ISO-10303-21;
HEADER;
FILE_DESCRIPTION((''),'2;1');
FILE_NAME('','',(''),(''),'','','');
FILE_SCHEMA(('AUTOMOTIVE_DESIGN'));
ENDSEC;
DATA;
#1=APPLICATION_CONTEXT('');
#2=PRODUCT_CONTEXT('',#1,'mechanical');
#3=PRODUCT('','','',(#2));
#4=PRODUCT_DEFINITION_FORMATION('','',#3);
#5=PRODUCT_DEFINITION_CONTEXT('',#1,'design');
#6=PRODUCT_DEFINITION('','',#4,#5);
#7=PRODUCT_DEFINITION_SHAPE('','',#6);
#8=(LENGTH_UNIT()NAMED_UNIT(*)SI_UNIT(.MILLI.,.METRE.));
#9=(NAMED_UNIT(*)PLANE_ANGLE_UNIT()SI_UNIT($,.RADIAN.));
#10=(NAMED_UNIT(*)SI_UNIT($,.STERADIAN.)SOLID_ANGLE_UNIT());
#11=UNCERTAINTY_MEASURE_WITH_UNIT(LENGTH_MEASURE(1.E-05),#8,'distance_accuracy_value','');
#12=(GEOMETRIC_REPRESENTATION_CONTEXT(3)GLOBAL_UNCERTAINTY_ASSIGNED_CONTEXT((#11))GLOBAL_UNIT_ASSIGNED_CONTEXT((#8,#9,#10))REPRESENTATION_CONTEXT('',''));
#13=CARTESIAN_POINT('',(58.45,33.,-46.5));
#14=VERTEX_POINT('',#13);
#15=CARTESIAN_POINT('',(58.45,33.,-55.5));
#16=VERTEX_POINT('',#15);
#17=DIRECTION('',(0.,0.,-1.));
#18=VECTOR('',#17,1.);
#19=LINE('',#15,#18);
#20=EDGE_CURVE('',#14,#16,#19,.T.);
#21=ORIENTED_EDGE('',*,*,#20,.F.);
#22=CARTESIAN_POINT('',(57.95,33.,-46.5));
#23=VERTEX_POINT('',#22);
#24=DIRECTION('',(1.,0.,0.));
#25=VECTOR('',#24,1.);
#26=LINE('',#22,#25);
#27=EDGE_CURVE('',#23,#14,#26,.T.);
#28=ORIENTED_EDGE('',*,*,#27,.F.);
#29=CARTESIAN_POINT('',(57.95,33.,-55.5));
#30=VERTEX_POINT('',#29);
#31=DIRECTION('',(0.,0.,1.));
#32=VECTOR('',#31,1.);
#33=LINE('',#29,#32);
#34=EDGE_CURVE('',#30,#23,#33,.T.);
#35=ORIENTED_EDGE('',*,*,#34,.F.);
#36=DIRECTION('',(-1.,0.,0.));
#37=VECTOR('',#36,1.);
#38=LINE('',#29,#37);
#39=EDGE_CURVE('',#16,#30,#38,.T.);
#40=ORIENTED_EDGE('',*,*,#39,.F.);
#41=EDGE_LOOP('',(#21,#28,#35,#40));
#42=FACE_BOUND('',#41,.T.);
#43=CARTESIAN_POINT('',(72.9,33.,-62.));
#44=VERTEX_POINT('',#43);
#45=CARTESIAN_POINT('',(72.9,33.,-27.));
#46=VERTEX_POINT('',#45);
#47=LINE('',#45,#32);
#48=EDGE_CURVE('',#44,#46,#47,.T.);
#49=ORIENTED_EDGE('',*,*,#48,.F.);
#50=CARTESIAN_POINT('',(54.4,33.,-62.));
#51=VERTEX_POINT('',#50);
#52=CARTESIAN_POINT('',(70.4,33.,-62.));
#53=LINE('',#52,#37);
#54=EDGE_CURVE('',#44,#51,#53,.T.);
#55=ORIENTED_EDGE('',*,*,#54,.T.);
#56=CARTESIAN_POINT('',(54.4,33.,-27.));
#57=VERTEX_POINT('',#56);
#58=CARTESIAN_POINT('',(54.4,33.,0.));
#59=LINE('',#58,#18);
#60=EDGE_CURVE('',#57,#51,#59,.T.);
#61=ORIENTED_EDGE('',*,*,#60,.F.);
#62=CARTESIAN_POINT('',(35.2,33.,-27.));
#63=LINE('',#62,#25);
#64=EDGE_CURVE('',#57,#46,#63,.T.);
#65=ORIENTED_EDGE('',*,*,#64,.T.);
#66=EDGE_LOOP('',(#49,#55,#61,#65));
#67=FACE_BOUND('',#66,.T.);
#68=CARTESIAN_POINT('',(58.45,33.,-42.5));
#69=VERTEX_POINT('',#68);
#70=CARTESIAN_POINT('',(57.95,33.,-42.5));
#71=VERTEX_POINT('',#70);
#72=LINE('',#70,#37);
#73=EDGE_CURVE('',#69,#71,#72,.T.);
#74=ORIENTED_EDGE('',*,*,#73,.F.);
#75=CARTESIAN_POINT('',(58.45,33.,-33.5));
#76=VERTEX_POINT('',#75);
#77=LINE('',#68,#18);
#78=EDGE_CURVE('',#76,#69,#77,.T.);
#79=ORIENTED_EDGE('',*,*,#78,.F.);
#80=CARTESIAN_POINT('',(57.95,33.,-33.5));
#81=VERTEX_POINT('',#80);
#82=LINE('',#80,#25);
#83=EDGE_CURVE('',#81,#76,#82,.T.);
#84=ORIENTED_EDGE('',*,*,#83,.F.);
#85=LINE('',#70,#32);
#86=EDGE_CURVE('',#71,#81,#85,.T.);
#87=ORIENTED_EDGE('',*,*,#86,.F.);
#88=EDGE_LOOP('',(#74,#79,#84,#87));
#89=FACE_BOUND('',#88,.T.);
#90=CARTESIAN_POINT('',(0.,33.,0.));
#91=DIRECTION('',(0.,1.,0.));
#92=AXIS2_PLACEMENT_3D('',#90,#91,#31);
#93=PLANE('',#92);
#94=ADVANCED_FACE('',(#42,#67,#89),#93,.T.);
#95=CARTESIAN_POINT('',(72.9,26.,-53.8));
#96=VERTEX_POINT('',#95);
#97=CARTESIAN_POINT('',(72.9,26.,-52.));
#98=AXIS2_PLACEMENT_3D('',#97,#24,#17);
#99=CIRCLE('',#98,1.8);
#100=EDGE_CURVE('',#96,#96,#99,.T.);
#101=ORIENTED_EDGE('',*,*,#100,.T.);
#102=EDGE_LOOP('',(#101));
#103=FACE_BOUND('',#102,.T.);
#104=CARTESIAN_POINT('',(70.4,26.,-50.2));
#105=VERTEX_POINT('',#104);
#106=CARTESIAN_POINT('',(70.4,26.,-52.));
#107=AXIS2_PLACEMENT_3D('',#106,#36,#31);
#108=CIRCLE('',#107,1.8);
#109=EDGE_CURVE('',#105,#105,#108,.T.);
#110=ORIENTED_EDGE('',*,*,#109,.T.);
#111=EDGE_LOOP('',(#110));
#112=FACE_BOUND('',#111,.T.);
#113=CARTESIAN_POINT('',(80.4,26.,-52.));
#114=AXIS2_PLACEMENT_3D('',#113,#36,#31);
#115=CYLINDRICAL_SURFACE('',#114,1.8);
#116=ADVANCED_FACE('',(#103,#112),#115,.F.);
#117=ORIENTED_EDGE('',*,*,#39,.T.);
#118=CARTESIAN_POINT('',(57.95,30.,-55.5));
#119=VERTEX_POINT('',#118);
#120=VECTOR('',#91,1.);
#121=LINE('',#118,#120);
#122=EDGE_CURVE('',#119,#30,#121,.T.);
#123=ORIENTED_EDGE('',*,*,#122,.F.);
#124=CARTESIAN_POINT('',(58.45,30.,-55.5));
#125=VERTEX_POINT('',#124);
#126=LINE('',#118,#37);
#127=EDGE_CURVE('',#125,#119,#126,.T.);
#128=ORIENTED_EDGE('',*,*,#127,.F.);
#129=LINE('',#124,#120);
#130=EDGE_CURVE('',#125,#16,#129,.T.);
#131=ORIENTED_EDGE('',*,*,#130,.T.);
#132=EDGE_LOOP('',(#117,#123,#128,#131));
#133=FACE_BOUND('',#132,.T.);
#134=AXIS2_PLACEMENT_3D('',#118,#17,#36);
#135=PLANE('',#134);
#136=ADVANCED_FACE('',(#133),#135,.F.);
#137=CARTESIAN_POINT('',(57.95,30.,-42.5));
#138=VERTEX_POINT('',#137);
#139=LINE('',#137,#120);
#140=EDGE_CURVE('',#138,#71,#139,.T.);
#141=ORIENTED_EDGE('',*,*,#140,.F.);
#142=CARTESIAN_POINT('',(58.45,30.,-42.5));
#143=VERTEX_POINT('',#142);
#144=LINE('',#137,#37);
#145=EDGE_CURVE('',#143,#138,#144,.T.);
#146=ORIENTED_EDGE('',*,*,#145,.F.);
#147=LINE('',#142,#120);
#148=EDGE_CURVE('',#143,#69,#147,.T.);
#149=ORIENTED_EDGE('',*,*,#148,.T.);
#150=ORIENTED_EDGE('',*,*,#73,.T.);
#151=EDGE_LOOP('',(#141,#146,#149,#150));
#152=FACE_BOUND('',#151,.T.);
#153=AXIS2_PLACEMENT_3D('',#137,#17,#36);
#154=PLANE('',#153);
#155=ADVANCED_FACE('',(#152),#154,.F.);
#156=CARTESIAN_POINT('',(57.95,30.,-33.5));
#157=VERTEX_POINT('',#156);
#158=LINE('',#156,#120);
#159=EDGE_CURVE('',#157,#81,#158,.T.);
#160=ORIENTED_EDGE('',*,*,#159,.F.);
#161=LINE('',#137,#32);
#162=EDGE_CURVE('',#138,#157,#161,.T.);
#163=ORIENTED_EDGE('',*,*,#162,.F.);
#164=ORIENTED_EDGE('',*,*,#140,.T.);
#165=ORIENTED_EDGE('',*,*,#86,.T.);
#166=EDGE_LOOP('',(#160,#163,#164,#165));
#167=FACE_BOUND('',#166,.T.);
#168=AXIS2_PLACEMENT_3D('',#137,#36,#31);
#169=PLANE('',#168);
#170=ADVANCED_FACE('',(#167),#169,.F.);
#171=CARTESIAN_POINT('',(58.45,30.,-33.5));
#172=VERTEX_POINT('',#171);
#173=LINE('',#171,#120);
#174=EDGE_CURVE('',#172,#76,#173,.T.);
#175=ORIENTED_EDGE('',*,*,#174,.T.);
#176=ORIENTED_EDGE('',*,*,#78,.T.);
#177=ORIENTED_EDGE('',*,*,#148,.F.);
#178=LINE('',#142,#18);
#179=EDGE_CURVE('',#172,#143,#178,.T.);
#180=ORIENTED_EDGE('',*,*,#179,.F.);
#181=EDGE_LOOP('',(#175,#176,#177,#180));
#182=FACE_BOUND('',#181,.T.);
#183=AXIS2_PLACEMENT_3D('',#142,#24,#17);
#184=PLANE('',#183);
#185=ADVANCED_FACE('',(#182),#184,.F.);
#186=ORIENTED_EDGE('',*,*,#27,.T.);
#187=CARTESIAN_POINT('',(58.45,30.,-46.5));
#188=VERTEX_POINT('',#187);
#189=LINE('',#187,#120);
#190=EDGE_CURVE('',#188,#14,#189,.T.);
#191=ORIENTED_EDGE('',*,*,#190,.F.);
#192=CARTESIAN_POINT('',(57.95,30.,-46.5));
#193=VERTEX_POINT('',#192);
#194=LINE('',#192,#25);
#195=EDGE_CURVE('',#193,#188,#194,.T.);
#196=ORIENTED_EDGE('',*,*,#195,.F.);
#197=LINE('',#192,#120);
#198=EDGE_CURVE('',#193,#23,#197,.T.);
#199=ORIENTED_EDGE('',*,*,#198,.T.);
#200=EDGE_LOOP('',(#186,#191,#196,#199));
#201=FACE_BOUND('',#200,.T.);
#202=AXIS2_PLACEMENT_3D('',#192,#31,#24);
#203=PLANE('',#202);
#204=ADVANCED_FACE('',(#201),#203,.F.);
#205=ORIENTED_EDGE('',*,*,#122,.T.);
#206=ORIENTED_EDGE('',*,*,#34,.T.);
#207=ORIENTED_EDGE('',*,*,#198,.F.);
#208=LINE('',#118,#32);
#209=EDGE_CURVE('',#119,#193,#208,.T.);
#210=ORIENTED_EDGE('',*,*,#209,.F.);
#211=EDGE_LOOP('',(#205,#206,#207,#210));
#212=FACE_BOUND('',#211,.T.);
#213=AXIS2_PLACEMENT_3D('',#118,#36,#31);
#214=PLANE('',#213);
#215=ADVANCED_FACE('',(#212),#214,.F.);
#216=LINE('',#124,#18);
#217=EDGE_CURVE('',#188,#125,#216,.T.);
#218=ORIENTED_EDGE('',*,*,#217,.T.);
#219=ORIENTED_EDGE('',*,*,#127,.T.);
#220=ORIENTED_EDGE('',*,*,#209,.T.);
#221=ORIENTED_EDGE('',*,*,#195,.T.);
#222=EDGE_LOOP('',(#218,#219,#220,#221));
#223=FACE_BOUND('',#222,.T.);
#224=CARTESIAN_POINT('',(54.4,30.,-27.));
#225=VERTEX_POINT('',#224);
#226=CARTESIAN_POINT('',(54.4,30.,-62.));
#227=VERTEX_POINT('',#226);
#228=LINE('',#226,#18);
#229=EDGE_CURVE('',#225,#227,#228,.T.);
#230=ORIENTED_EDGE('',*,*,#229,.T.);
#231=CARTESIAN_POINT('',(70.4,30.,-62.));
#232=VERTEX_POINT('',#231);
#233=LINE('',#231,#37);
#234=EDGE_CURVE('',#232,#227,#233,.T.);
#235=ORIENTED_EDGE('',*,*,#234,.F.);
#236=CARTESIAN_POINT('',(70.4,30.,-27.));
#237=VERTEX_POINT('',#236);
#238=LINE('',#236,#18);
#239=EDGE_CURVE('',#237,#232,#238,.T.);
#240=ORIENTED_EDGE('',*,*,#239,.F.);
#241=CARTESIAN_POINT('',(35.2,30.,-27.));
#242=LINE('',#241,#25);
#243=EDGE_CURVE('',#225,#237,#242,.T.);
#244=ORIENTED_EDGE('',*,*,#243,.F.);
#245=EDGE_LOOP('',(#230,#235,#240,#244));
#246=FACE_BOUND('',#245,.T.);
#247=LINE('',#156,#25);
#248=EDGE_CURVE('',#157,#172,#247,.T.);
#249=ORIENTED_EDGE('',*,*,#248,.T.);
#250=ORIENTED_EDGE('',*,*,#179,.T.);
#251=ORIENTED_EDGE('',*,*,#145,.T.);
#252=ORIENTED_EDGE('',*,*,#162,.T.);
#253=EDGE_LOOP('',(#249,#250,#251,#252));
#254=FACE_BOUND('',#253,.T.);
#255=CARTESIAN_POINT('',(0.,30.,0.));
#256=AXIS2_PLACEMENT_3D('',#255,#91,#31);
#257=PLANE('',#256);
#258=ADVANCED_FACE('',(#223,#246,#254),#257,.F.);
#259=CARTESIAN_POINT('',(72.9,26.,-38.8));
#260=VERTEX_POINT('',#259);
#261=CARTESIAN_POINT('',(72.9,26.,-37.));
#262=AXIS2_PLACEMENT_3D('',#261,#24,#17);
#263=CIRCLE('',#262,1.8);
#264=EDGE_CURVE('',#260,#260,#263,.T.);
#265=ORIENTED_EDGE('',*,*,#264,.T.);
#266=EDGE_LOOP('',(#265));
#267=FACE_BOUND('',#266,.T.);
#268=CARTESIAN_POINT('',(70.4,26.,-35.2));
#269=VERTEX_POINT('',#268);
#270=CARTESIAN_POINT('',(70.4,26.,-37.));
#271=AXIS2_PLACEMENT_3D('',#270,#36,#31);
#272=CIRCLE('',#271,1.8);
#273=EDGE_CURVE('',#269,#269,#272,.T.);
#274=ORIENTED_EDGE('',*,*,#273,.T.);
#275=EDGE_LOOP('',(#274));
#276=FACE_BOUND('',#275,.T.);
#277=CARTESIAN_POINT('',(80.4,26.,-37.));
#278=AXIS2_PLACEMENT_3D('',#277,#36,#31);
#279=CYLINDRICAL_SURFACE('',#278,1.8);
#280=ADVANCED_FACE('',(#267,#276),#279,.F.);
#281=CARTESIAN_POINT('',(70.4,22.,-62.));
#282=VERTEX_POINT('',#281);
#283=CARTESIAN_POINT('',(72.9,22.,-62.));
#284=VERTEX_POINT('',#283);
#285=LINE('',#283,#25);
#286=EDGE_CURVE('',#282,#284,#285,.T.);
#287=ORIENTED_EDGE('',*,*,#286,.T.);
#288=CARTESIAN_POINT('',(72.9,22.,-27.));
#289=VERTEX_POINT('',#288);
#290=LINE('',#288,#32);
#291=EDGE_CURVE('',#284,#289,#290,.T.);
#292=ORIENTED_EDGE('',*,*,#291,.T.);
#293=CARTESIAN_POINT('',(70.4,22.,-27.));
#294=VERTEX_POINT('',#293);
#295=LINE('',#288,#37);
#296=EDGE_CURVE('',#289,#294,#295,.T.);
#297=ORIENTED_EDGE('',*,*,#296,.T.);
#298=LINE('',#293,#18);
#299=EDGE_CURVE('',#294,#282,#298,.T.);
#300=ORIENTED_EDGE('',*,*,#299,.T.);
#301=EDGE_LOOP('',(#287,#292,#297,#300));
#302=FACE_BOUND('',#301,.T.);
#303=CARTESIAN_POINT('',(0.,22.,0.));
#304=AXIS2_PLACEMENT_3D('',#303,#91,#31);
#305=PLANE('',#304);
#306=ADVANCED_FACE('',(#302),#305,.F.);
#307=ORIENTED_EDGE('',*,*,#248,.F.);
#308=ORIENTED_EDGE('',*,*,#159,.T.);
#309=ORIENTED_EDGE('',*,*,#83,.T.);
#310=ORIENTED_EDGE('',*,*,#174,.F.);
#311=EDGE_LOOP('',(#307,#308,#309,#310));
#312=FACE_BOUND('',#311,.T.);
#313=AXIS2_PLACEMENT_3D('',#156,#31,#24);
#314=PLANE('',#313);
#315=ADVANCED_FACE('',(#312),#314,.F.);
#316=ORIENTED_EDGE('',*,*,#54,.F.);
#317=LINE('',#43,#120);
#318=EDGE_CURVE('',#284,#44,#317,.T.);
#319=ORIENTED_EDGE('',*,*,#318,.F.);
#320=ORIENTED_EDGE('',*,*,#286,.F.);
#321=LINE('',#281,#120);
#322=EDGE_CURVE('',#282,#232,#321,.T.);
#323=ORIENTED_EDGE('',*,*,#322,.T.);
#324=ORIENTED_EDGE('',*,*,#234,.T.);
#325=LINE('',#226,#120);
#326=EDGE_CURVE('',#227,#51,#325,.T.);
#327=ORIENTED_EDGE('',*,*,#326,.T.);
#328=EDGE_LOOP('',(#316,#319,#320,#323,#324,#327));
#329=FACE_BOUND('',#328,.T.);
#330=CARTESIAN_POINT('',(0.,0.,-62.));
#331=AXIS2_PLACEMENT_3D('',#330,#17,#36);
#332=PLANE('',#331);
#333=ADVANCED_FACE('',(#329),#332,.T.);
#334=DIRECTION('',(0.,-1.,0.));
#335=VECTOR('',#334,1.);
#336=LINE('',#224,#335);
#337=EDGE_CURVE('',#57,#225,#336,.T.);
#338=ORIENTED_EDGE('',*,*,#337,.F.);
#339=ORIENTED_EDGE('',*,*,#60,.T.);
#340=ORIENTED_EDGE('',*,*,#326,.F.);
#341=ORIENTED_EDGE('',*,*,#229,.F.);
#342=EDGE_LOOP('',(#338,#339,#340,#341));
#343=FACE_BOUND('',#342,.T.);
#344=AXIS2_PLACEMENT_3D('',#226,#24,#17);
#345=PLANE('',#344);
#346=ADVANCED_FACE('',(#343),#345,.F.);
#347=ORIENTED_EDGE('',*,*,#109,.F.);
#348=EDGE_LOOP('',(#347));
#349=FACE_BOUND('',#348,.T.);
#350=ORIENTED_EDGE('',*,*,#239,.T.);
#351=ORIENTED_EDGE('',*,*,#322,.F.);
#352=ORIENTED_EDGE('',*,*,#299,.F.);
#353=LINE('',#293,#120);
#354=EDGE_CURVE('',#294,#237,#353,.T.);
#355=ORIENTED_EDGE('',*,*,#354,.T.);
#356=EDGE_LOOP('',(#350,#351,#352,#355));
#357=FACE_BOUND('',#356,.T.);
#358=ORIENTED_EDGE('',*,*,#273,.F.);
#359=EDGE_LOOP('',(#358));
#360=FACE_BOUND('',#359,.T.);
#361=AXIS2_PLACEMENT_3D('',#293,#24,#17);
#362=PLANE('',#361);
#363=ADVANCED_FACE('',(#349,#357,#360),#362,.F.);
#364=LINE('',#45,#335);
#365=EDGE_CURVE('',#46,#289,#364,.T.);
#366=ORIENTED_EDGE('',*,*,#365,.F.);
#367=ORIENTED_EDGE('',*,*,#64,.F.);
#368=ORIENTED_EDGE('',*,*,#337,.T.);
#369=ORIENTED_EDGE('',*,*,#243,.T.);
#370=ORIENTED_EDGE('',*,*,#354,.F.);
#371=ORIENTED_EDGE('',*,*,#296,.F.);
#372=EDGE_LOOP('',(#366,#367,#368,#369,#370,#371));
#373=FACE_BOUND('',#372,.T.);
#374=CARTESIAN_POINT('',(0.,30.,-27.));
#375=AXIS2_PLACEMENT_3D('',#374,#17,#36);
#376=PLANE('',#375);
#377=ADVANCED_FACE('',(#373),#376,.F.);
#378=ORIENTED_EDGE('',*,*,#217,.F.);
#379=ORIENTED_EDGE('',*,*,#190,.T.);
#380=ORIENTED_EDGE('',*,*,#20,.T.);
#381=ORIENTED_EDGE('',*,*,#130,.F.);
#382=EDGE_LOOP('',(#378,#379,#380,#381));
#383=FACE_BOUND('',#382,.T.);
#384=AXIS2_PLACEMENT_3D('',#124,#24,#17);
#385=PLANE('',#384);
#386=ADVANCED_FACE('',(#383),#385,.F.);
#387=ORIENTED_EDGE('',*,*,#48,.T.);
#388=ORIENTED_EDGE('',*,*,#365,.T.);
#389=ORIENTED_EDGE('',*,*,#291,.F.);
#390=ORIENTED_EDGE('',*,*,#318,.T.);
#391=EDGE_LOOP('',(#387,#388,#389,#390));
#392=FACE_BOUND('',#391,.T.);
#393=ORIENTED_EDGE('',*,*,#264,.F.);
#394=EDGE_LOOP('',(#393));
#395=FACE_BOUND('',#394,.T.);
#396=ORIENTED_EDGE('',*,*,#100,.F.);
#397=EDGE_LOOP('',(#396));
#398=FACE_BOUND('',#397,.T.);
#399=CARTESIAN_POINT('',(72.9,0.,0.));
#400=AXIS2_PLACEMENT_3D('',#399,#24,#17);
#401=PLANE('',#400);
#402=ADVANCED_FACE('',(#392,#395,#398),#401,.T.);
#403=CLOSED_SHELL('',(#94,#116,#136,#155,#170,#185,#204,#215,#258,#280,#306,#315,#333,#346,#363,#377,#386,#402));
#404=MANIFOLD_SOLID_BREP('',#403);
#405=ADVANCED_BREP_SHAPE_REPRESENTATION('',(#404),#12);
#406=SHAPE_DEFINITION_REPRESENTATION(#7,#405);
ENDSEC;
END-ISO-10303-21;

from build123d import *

# Parameters (mm, degrees)
SKETCH1_W               = 70.4
SKETCH1_H               = 2
BOSS_EXTRUDE2_DEPTH     = 10
SKETCH2_W               = 2
SKETCH2_H               = 55
BOSS_EXTRUDE3_DEPTH     = 10
SKETCH3_W               = 19
SKETCH3_H               = 3
BOSS_EXTRUDE4_DEPTH     = 2
SKETCH4_W               = 15
SKETCH4_H               = 10
CUT_EXTRUDE2_DEPTH      = 2
SKETCH5_W               = 2
SKETCH5_H               = 3
BOSS_EXTRUDE5_DEPTH     = 1
SKETCH6_W               = 2
SKETCH6_H               = 3
BOSS_EXTRUDE6_DEPTH     = 1
SKETCH7_W               = 57
SKETCH7_H               = 2
BOSS_EXTRUDE7_DEPTH     = 6.6
SKETCH8_W               = 57
SKETCH8_H               = 2
BOSS_EXTRUDE8_DEPTH     = 6.6
BOSS_EXTRUDE9_DEPTH     = 5
SKETCH12_W              = 2
SKETCH12_H              = 5
SKETCH12_H_2            = 40
SKETCH12_H_3            = 30
BOSS_EXTRUDE10_DEPTH    = 20
BOSS_EXTRUDE11_DEPTH    = 3
SKETCH14_W              = 0.5
SKETCH14_H              = 9
CUT_EXTRUDE3_DEPTH      = 3
SKETCH15_W              = 38.4
SKETCH15_H              = 45
CUT_EXTRUDE4_DEPTH      = 3
BOSS_EXTRUDE12_DEPTH    = 0.5
SKETCH17_R              = 1.8
SKETCH17_W              = 3
SKETCH17_H              = 5
CUT_EXTRUDE6_DEPTH      = 3
CUT_EXTRUDE7_DEPTH      = 71
CUT_EXTRUDE7_DEPTH_BACK = 51
SKETCH18_W              = 76.208755975
SKETCH18_H              = 59.797515132
CUT_EXTRUDE8_DEPTH      = 87
CUT_EXTRUDE8_DEPTH_BACK = 25
SKETCH19_W              = 80.230135701
SKETCH19_H              = 33.851054281
SKETCH20_W              = 35
SKETCH20_H              = 3
BOSS_EXTRUDE13_DEPTH    = 2.5
SKETCH21_W              = 2.5
SKETCH21_H              = 35
BOSS_EXTRUDE14_DEPTH    = 8
SKETCH22_R              = 1.8
CUT_EXTRUDE10_DEPTH     = 10


with BuildPart() as part:
    # Sketch1 → Boss-Extrude2 (new body)
    with BuildSketch(Plane(origin=(0, 0, 0), x_dir=(1, 0, 0), z_dir=(0, 1, 0))):
        with Locations((35.2, 1)):
            Rectangle(SKETCH1_W, SKETCH1_H)
    extrude(amount=BOSS_EXTRUDE2_DEPTH)

    # Sketch2 → Boss-Extrude3 (add)
    with BuildSketch(Plane(origin=(0, 10, 0), x_dir=(1, 0, 0), z_dir=(0, 1, 0))):
        with Locations((1, 29.5)):
            Rectangle(SKETCH2_W, SKETCH2_H)
        with Locations((69.4, 29.5)):
            Rectangle(SKETCH2_W, SKETCH2_H)
    extrude(amount=-BOSS_EXTRUDE3_DEPTH)

    # Sketch3 → Boss-Extrude4 (add)
    with BuildSketch(Plane.XY):
        with Locations((35.2, 11.5)):
            Rectangle(SKETCH3_W, SKETCH3_H)
    extrude(amount=-BOSS_EXTRUDE4_DEPTH)

    # Sketch4 → Cut-Extrude2 (cut)
    with BuildSketch(Plane.XY):
        with Locations((35.2, 5)):
            Rectangle(SKETCH4_W, SKETCH4_H)
    extrude(amount=-CUT_EXTRUDE2_DEPTH, mode=Mode.SUBTRACT)

    # Sketch5 → Boss-Extrude5 (add)
    with BuildSketch(Plane.ZY.offset(-25.7)):
        with Locations((-1, 11.5)):
            Rectangle(SKETCH5_W, SKETCH5_H)
    extrude(amount=BOSS_EXTRUDE5_DEPTH)

    # Sketch6 → Boss-Extrude6 (add)
    with BuildSketch(Plane(origin=(44.7, 0, 0), x_dir=(0, 0, -1), z_dir=(1, 0, 0))):
        with Locations((1, 11.5)):
            Rectangle(SKETCH6_W, SKETCH6_H)
    extrude(amount=BOSS_EXTRUDE6_DEPTH)

    # Sketch7 → Boss-Extrude7 (add)
    with BuildSketch(Plane.ZY):
        with Locations((-28.5, 1)):
            Rectangle(SKETCH7_W, SKETCH7_H)
    extrude(amount=BOSS_EXTRUDE7_DEPTH)

    # Sketch8 → Boss-Extrude8 (add)
    with BuildSketch(Plane(origin=(70.4, 0, 0), x_dir=(0, 0, -1), z_dir=(1, 0, 0))):
        with Locations((28.5, 1)):
            Rectangle(SKETCH8_W, SKETCH8_H)
    extrude(amount=BOSS_EXTRUDE8_DEPTH)

    # Sketch10 → Boss-Extrude9 (add)
    with BuildSketch(Plane(origin=(0, 0, -57), x_dir=(-1, 0, 0), z_dir=(0, 0, -1))):
        Polygon((-2, 10), (-2, 0), (6.6, 0), (6.6, 2), (0, 2), (0, 10), align=None)
        Polygon((-77, 0), (-68.4, 0), (-68.4, 10), (-70.4, 10), (-70.4, 2), (-77, 2), align=None)
    extrude(amount=BOSS_EXTRUDE9_DEPTH)

    # Sketch12 → Boss-Extrude10 (add)
    with BuildSketch(Plane(origin=(0, 10, 0), x_dir=(1, 0, 0), z_dir=(0, 1, 0))):
        with Locations((1, 59.5)):
            Rectangle(SKETCH12_W, SKETCH12_H)
        with Locations((1, 37)):
            Rectangle(SKETCH12_W, SKETCH12_H_2)
        with Locations((69.4, 42)):
            Rectangle(SKETCH12_W, SKETCH12_H_3)
        with Locations((69.4, 59.5)):
            Rectangle(SKETCH12_W, SKETCH12_H)
    extrude(amount=BOSS_EXTRUDE10_DEPTH)

    # Sketch13 → Boss-Extrude11 (add)
    with BuildSketch(Plane(origin=(0, 30, 0), x_dir=(1, 0, 0), z_dir=(0, 1, 0))):
        Polygon((0, 17), (35.2, 17), (35.2, 27), (70.4, 27), (70.4, 62), (0, 62), align=None)
    extrude(amount=BOSS_EXTRUDE11_DEPTH)

    # Sketch14 → Cut-Extrude3 (cut)
    with BuildSketch(Plane(origin=(0, 33, 0), x_dir=(1, 0, 0), z_dir=(0, 1, 0))):
        with Locations((11.7, 51)):
            Rectangle(SKETCH14_W, SKETCH14_H)
        with Locations((11.7, 38)):
            Rectangle(SKETCH14_W, SKETCH14_H)
        with Locations((11.7, 25.5)):
            Rectangle(SKETCH14_W, SKETCH14_H)
        with Locations((58.2, 51)):
            Rectangle(SKETCH14_W, SKETCH14_H)
        with Locations((58.2, 38)):
            Rectangle(SKETCH14_W, SKETCH14_H)
    extrude(amount=-CUT_EXTRUDE3_DEPTH, mode=Mode.SUBTRACT)

    # Sketch15 → Cut-Extrude4 (cut)
    with BuildSketch(Plane(origin=(0, 33, 0), x_dir=(1, 0, 0), z_dir=(0, 1, 0))):
        with Locations((35.2, 39.5)):
            Rectangle(SKETCH15_W, SKETCH15_H)
    extrude(amount=-CUT_EXTRUDE4_DEPTH, mode=Mode.SUBTRACT)

    # Sketch16 → Boss-Extrude12 (add)
    with BuildSketch(Plane.XY):
        Polygon((-6.6, 0), (27.7, 0), (27.7, 10), (42.7, 10), (42.7, 0), (77, 0), (77, 2), (70.4, 2), (70.4, 10), (45.7, 10), (45.7, 13), (24.7, 13), (24.7, 10), (0, 10), (0, 2), (-6.6, 2), align=None)
    extrude(amount=BOSS_EXTRUDE12_DEPTH)

    # Sketch17 → Cut-Extrude6 (cut)
    with BuildSketch(Plane(origin=(0, 2, 0), x_dir=(1, 0, 0), z_dir=(0, 1, 0))):
        with Locations(Location((-3.3, 55, 0), (0, 0, 270))):
            Circle(SKETCH17_R)
        with Locations(Location((73.7, 55, 0), (0, 0, 270))):
            Circle(SKETCH17_R)
        with Locations(Location((-3.3, 6.5, 0), (0, 0, 270))):
            Circle(SKETCH17_R)
        with Locations(Location((73.7, 6.5, 0), (0, 0, 270))):
            Circle(SKETCH17_R)
        with Locations(Location((-3.3, 30.75, 0), (0, 0, 270))):
            Circle(SKETCH17_R)
        with Locations(Location((73.7, 30.75, 0), (0, 0, 270))):
            Circle(SKETCH17_R)
        with Locations((-3.3, 14.5)):
            Rectangle(SKETCH17_W, SKETCH17_H)
        with Locations((73.7, 14.5)):
            Rectangle(SKETCH17_W, SKETCH17_H)
    extrude(amount=-CUT_EXTRUDE6_DEPTH, mode=Mode.SUBTRACT)

    # Sketch18 → Cut-Extrude7 (cut, two sides: drawn at the far end of the back side and taken through both)
    with BuildSketch(Plane.ZY.offset(-CUT_EXTRUDE7_DEPTH_BACK)):
        with Locations((-23.895622013, 3.101242434)):
            Rectangle(SKETCH18_W, SKETCH18_H)
    extrude(amount=CUT_EXTRUDE7_DEPTH + CUT_EXTRUDE7_DEPTH_BACK, mode=Mode.SUBTRACT)

    # Sketch19 → Cut-Extrude8 (cut, two sides: drawn at the far end of the back side and taken through both)
    with BuildSketch(Plane.ZY.offset(-68.4).offset(-CUT_EXTRUDE8_DEPTH_BACK)):
        with Locations((-21.88493215, 13.07447286)):
            Rectangle(SKETCH19_W, SKETCH19_H)
    extrude(amount=CUT_EXTRUDE8_DEPTH + CUT_EXTRUDE8_DEPTH_BACK, mode=Mode.SUBTRACT)

    # Sketch20 → Boss-Extrude13 (add)
    with BuildSketch(Plane(origin=(70.4, 0, 0), x_dir=(0, 0, -1), z_dir=(1, 0, 0))):
        with Locations((44.5, 31.5)):
            Rectangle(SKETCH20_W, SKETCH20_H)
    extrude(amount=BOSS_EXTRUDE13_DEPTH)

    # Sketch21 → Boss-Extrude14 (add)
    with BuildSketch(Plane.XZ.offset(-30)):
        with Locations((71.65, -44.5)):
            Rectangle(SKETCH21_W, SKETCH21_H)
    extrude(amount=BOSS_EXTRUDE14_DEPTH)

    # Sketch22 → Cut-Extrude10 (cut)
    with BuildSketch(Plane.ZY.offset(-70.4)):
        with Locations((-52, 26)):
            Circle(SKETCH22_R)
        with Locations((-37, 26)):
            Circle(SKETCH22_R)
    extrude(amount=-CUT_EXTRUDE10_DEPTH, mode=Mode.SUBTRACT)


solid = part.part
